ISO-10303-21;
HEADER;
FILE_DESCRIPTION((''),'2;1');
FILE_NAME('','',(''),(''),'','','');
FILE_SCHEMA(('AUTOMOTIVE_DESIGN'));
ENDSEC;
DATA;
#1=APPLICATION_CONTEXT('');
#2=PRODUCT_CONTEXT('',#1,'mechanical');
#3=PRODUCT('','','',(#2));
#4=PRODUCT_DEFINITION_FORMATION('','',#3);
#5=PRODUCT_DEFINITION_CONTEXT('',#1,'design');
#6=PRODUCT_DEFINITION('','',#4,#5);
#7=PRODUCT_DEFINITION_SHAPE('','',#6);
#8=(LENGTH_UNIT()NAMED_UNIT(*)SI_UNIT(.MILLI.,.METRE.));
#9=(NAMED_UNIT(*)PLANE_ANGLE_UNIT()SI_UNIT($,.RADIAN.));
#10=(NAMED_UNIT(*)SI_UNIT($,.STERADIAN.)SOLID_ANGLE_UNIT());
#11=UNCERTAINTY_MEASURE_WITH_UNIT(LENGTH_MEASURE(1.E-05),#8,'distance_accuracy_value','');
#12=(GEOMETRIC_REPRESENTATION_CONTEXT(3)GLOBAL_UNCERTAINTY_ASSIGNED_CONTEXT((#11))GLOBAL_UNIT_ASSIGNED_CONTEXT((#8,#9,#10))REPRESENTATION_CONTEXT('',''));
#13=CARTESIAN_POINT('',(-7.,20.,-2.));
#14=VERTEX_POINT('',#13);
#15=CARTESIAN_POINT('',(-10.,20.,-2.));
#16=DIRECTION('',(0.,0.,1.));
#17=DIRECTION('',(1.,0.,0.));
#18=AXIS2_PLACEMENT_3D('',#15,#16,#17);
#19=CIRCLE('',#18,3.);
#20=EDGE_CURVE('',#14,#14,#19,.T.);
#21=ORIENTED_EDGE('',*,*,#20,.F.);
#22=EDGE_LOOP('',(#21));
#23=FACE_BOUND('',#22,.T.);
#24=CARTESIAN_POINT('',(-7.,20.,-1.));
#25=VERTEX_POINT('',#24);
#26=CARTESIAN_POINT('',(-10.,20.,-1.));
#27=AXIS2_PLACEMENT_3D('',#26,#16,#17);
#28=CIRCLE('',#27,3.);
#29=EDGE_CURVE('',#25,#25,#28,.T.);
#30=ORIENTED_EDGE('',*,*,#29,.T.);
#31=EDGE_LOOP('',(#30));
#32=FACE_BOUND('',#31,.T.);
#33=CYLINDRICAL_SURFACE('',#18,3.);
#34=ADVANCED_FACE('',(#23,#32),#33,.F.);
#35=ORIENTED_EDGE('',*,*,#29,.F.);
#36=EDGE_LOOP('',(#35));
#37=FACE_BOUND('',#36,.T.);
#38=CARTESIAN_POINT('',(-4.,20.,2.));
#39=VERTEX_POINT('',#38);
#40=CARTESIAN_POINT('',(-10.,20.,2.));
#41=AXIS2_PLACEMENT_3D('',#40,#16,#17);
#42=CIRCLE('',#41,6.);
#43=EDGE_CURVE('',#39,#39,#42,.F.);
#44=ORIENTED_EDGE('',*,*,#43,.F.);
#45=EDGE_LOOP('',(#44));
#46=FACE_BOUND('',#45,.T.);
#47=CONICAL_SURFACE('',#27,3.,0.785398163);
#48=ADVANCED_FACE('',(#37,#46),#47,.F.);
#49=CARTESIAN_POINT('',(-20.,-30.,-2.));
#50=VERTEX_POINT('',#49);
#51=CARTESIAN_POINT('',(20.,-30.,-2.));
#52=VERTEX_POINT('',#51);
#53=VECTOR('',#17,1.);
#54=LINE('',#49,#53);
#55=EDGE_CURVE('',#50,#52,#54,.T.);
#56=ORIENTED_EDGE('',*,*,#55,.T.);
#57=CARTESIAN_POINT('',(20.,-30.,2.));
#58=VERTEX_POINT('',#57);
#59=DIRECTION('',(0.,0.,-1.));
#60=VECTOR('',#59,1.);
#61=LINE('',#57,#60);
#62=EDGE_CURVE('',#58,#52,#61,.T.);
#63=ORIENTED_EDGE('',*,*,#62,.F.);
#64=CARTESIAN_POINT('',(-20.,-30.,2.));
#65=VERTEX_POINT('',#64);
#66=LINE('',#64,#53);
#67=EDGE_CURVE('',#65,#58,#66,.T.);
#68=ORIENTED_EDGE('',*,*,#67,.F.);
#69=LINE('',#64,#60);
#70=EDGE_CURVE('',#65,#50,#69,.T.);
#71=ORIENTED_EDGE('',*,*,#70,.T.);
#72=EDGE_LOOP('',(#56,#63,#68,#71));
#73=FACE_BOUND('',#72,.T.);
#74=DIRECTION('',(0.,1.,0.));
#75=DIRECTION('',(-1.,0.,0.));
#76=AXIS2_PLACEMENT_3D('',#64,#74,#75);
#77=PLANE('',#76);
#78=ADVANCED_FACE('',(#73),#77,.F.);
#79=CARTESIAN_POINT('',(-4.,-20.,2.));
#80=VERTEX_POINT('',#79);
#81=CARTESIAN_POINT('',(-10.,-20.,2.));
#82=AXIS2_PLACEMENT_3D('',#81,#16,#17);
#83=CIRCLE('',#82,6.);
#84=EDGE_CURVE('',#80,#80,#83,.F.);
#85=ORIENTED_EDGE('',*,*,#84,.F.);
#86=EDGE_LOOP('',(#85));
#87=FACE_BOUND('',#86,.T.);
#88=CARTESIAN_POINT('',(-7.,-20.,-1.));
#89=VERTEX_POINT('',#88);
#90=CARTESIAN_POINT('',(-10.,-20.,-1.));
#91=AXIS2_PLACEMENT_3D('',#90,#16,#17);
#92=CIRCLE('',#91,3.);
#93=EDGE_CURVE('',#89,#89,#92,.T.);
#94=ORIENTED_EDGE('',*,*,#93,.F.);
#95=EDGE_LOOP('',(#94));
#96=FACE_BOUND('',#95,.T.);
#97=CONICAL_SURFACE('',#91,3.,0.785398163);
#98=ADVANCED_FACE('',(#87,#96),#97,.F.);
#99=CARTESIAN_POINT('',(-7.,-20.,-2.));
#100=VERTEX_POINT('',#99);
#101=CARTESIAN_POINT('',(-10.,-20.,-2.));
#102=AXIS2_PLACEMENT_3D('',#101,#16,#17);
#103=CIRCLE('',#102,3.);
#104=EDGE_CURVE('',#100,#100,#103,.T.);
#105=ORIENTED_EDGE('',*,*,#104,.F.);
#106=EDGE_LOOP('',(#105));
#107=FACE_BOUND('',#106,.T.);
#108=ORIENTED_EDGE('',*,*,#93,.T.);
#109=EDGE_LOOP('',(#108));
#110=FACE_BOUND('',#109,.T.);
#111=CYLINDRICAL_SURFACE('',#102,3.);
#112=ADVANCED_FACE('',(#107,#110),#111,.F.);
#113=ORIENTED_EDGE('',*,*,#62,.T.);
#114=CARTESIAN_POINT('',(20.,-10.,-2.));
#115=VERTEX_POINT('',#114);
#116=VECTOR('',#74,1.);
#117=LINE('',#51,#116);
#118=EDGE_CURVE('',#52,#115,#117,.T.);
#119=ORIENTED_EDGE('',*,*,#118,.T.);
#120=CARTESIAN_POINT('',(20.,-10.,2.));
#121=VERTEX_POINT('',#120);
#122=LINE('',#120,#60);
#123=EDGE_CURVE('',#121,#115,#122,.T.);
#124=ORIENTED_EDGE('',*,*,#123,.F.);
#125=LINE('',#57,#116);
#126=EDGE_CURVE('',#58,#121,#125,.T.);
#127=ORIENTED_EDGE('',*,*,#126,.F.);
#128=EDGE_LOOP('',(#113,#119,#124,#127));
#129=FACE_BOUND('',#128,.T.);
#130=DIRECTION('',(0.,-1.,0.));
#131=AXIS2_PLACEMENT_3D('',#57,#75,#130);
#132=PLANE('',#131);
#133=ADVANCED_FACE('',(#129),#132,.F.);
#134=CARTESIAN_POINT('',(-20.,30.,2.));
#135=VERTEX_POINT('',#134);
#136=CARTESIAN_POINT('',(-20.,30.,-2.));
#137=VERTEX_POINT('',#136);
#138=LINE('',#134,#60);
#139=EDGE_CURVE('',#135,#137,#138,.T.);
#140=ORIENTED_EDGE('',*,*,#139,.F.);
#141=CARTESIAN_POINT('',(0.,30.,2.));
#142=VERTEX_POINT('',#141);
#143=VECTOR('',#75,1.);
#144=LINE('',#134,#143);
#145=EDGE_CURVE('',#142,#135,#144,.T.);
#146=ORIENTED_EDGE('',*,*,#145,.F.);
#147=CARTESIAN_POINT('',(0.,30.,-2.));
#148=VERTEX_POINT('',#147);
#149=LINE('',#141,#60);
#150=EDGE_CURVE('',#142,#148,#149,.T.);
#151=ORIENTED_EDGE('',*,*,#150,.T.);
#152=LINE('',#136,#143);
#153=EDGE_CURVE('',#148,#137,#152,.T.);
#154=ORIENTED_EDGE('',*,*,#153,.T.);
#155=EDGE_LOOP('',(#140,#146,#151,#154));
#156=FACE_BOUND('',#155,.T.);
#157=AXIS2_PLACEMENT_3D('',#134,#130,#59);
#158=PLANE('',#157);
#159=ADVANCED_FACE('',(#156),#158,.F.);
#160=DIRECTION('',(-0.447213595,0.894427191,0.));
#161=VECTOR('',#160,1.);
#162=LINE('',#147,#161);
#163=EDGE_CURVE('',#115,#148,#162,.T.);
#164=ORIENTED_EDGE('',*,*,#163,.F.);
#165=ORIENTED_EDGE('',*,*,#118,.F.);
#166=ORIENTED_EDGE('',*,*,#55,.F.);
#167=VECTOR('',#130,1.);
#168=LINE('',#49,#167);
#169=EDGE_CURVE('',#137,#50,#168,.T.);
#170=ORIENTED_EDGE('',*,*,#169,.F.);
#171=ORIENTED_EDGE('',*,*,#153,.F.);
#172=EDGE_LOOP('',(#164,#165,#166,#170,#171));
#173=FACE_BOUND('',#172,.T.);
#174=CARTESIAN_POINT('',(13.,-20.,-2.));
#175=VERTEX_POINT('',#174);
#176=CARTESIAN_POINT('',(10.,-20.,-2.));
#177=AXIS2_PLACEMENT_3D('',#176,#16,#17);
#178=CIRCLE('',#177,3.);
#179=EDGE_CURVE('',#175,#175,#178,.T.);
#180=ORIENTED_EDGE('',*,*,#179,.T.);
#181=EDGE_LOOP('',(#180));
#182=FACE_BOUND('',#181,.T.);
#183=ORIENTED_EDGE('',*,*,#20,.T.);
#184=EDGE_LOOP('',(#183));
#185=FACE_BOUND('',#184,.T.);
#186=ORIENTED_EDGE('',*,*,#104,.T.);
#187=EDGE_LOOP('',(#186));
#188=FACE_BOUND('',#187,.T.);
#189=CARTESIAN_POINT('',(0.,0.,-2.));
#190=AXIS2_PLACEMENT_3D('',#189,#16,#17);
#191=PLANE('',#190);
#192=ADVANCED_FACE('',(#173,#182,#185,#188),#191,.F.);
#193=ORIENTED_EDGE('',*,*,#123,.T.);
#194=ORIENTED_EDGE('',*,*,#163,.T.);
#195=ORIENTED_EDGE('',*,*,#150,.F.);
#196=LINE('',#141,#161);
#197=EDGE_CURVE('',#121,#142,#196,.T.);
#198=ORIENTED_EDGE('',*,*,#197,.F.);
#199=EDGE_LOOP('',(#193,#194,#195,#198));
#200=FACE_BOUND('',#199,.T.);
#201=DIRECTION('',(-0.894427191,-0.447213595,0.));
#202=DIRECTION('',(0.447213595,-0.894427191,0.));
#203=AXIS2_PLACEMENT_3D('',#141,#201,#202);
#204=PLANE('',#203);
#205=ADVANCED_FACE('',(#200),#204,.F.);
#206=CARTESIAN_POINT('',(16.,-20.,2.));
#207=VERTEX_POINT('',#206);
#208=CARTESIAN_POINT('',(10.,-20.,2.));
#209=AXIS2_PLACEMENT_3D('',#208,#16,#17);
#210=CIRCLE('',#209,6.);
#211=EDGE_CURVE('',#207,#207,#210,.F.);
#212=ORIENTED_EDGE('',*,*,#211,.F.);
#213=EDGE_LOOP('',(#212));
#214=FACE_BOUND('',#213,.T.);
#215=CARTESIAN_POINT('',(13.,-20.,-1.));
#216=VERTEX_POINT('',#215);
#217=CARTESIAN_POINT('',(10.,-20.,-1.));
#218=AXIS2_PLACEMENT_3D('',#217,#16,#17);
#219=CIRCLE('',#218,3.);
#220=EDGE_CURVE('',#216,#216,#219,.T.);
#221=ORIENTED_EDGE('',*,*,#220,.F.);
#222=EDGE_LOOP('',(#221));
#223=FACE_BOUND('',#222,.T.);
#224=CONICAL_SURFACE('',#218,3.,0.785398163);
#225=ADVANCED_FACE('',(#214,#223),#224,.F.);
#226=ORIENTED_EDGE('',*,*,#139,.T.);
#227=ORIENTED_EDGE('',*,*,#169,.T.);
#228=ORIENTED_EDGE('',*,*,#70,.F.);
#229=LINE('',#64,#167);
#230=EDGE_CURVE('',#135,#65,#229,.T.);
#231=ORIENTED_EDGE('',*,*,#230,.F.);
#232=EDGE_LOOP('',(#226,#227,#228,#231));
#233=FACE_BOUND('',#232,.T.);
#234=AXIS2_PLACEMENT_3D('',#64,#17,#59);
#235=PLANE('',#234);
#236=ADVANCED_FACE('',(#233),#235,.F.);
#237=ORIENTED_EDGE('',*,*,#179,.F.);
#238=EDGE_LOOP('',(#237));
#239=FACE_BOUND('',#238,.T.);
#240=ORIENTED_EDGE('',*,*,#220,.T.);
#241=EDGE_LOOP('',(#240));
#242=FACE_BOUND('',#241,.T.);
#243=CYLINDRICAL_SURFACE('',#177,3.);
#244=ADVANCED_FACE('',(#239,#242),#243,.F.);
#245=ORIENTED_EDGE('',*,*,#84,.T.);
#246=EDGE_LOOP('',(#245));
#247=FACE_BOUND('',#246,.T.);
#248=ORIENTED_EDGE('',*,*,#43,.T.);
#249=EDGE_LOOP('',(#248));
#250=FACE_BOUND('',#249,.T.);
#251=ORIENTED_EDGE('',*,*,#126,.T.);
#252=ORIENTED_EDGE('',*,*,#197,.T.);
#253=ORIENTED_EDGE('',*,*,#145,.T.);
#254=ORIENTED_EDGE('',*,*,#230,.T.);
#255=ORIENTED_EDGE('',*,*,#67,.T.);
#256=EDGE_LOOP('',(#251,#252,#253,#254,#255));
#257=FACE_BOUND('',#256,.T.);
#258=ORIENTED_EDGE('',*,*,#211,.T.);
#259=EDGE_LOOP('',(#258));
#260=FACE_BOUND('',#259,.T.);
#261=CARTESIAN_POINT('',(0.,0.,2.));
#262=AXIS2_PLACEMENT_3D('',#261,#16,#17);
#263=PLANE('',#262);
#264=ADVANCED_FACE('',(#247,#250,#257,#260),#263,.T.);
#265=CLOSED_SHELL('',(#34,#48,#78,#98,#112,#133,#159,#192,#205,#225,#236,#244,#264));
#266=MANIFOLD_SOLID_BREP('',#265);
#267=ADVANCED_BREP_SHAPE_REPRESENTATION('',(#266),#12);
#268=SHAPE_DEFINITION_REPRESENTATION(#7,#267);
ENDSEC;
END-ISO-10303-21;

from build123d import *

# Parameters (mm, degrees)
BOSS_EXTRUDE1_DEPTH = 2
SKETCH2_R           = 3
CUT_EXTRUDE1_DEPTH  = 5
CHAMFER1_SIZE       = 3


with BuildPart() as part:
    # Sketch1 → Boss-Extrude1 (new body, symmetric)
    with BuildSketch(Plane.XY):
        Polygon((-20, -30), (-20, 30), (0, 30), (20, -10), (20, -30), align=None)
    extrude(amount=BOSS_EXTRUDE1_DEPTH, both=True)

    # Sketch2 → Cut-Extrude1 (cut, through all)
    with BuildSketch(Plane.XY.offset(2)):
        with Locations((-10, 20)):
            Circle(SKETCH2_R)
        with Locations((-10, -20)):
            Circle(SKETCH2_R)
        with Locations((10, -20)):
            Circle(SKETCH2_R)
    extrude(amount=-CUT_EXTRUDE1_DEPTH, mode=Mode.SUBTRACT)

    # Chamfer1
    chamfer1_edges = [part.edges().sort_by_distance(p)[0] for p in [
        (-13, 20, 2),
        (-13, -20, 2),
        (7, -20, 2),
    ]]
    chamfer(chamfer1_edges, length=CHAMFER1_SIZE)


solid = part.part
